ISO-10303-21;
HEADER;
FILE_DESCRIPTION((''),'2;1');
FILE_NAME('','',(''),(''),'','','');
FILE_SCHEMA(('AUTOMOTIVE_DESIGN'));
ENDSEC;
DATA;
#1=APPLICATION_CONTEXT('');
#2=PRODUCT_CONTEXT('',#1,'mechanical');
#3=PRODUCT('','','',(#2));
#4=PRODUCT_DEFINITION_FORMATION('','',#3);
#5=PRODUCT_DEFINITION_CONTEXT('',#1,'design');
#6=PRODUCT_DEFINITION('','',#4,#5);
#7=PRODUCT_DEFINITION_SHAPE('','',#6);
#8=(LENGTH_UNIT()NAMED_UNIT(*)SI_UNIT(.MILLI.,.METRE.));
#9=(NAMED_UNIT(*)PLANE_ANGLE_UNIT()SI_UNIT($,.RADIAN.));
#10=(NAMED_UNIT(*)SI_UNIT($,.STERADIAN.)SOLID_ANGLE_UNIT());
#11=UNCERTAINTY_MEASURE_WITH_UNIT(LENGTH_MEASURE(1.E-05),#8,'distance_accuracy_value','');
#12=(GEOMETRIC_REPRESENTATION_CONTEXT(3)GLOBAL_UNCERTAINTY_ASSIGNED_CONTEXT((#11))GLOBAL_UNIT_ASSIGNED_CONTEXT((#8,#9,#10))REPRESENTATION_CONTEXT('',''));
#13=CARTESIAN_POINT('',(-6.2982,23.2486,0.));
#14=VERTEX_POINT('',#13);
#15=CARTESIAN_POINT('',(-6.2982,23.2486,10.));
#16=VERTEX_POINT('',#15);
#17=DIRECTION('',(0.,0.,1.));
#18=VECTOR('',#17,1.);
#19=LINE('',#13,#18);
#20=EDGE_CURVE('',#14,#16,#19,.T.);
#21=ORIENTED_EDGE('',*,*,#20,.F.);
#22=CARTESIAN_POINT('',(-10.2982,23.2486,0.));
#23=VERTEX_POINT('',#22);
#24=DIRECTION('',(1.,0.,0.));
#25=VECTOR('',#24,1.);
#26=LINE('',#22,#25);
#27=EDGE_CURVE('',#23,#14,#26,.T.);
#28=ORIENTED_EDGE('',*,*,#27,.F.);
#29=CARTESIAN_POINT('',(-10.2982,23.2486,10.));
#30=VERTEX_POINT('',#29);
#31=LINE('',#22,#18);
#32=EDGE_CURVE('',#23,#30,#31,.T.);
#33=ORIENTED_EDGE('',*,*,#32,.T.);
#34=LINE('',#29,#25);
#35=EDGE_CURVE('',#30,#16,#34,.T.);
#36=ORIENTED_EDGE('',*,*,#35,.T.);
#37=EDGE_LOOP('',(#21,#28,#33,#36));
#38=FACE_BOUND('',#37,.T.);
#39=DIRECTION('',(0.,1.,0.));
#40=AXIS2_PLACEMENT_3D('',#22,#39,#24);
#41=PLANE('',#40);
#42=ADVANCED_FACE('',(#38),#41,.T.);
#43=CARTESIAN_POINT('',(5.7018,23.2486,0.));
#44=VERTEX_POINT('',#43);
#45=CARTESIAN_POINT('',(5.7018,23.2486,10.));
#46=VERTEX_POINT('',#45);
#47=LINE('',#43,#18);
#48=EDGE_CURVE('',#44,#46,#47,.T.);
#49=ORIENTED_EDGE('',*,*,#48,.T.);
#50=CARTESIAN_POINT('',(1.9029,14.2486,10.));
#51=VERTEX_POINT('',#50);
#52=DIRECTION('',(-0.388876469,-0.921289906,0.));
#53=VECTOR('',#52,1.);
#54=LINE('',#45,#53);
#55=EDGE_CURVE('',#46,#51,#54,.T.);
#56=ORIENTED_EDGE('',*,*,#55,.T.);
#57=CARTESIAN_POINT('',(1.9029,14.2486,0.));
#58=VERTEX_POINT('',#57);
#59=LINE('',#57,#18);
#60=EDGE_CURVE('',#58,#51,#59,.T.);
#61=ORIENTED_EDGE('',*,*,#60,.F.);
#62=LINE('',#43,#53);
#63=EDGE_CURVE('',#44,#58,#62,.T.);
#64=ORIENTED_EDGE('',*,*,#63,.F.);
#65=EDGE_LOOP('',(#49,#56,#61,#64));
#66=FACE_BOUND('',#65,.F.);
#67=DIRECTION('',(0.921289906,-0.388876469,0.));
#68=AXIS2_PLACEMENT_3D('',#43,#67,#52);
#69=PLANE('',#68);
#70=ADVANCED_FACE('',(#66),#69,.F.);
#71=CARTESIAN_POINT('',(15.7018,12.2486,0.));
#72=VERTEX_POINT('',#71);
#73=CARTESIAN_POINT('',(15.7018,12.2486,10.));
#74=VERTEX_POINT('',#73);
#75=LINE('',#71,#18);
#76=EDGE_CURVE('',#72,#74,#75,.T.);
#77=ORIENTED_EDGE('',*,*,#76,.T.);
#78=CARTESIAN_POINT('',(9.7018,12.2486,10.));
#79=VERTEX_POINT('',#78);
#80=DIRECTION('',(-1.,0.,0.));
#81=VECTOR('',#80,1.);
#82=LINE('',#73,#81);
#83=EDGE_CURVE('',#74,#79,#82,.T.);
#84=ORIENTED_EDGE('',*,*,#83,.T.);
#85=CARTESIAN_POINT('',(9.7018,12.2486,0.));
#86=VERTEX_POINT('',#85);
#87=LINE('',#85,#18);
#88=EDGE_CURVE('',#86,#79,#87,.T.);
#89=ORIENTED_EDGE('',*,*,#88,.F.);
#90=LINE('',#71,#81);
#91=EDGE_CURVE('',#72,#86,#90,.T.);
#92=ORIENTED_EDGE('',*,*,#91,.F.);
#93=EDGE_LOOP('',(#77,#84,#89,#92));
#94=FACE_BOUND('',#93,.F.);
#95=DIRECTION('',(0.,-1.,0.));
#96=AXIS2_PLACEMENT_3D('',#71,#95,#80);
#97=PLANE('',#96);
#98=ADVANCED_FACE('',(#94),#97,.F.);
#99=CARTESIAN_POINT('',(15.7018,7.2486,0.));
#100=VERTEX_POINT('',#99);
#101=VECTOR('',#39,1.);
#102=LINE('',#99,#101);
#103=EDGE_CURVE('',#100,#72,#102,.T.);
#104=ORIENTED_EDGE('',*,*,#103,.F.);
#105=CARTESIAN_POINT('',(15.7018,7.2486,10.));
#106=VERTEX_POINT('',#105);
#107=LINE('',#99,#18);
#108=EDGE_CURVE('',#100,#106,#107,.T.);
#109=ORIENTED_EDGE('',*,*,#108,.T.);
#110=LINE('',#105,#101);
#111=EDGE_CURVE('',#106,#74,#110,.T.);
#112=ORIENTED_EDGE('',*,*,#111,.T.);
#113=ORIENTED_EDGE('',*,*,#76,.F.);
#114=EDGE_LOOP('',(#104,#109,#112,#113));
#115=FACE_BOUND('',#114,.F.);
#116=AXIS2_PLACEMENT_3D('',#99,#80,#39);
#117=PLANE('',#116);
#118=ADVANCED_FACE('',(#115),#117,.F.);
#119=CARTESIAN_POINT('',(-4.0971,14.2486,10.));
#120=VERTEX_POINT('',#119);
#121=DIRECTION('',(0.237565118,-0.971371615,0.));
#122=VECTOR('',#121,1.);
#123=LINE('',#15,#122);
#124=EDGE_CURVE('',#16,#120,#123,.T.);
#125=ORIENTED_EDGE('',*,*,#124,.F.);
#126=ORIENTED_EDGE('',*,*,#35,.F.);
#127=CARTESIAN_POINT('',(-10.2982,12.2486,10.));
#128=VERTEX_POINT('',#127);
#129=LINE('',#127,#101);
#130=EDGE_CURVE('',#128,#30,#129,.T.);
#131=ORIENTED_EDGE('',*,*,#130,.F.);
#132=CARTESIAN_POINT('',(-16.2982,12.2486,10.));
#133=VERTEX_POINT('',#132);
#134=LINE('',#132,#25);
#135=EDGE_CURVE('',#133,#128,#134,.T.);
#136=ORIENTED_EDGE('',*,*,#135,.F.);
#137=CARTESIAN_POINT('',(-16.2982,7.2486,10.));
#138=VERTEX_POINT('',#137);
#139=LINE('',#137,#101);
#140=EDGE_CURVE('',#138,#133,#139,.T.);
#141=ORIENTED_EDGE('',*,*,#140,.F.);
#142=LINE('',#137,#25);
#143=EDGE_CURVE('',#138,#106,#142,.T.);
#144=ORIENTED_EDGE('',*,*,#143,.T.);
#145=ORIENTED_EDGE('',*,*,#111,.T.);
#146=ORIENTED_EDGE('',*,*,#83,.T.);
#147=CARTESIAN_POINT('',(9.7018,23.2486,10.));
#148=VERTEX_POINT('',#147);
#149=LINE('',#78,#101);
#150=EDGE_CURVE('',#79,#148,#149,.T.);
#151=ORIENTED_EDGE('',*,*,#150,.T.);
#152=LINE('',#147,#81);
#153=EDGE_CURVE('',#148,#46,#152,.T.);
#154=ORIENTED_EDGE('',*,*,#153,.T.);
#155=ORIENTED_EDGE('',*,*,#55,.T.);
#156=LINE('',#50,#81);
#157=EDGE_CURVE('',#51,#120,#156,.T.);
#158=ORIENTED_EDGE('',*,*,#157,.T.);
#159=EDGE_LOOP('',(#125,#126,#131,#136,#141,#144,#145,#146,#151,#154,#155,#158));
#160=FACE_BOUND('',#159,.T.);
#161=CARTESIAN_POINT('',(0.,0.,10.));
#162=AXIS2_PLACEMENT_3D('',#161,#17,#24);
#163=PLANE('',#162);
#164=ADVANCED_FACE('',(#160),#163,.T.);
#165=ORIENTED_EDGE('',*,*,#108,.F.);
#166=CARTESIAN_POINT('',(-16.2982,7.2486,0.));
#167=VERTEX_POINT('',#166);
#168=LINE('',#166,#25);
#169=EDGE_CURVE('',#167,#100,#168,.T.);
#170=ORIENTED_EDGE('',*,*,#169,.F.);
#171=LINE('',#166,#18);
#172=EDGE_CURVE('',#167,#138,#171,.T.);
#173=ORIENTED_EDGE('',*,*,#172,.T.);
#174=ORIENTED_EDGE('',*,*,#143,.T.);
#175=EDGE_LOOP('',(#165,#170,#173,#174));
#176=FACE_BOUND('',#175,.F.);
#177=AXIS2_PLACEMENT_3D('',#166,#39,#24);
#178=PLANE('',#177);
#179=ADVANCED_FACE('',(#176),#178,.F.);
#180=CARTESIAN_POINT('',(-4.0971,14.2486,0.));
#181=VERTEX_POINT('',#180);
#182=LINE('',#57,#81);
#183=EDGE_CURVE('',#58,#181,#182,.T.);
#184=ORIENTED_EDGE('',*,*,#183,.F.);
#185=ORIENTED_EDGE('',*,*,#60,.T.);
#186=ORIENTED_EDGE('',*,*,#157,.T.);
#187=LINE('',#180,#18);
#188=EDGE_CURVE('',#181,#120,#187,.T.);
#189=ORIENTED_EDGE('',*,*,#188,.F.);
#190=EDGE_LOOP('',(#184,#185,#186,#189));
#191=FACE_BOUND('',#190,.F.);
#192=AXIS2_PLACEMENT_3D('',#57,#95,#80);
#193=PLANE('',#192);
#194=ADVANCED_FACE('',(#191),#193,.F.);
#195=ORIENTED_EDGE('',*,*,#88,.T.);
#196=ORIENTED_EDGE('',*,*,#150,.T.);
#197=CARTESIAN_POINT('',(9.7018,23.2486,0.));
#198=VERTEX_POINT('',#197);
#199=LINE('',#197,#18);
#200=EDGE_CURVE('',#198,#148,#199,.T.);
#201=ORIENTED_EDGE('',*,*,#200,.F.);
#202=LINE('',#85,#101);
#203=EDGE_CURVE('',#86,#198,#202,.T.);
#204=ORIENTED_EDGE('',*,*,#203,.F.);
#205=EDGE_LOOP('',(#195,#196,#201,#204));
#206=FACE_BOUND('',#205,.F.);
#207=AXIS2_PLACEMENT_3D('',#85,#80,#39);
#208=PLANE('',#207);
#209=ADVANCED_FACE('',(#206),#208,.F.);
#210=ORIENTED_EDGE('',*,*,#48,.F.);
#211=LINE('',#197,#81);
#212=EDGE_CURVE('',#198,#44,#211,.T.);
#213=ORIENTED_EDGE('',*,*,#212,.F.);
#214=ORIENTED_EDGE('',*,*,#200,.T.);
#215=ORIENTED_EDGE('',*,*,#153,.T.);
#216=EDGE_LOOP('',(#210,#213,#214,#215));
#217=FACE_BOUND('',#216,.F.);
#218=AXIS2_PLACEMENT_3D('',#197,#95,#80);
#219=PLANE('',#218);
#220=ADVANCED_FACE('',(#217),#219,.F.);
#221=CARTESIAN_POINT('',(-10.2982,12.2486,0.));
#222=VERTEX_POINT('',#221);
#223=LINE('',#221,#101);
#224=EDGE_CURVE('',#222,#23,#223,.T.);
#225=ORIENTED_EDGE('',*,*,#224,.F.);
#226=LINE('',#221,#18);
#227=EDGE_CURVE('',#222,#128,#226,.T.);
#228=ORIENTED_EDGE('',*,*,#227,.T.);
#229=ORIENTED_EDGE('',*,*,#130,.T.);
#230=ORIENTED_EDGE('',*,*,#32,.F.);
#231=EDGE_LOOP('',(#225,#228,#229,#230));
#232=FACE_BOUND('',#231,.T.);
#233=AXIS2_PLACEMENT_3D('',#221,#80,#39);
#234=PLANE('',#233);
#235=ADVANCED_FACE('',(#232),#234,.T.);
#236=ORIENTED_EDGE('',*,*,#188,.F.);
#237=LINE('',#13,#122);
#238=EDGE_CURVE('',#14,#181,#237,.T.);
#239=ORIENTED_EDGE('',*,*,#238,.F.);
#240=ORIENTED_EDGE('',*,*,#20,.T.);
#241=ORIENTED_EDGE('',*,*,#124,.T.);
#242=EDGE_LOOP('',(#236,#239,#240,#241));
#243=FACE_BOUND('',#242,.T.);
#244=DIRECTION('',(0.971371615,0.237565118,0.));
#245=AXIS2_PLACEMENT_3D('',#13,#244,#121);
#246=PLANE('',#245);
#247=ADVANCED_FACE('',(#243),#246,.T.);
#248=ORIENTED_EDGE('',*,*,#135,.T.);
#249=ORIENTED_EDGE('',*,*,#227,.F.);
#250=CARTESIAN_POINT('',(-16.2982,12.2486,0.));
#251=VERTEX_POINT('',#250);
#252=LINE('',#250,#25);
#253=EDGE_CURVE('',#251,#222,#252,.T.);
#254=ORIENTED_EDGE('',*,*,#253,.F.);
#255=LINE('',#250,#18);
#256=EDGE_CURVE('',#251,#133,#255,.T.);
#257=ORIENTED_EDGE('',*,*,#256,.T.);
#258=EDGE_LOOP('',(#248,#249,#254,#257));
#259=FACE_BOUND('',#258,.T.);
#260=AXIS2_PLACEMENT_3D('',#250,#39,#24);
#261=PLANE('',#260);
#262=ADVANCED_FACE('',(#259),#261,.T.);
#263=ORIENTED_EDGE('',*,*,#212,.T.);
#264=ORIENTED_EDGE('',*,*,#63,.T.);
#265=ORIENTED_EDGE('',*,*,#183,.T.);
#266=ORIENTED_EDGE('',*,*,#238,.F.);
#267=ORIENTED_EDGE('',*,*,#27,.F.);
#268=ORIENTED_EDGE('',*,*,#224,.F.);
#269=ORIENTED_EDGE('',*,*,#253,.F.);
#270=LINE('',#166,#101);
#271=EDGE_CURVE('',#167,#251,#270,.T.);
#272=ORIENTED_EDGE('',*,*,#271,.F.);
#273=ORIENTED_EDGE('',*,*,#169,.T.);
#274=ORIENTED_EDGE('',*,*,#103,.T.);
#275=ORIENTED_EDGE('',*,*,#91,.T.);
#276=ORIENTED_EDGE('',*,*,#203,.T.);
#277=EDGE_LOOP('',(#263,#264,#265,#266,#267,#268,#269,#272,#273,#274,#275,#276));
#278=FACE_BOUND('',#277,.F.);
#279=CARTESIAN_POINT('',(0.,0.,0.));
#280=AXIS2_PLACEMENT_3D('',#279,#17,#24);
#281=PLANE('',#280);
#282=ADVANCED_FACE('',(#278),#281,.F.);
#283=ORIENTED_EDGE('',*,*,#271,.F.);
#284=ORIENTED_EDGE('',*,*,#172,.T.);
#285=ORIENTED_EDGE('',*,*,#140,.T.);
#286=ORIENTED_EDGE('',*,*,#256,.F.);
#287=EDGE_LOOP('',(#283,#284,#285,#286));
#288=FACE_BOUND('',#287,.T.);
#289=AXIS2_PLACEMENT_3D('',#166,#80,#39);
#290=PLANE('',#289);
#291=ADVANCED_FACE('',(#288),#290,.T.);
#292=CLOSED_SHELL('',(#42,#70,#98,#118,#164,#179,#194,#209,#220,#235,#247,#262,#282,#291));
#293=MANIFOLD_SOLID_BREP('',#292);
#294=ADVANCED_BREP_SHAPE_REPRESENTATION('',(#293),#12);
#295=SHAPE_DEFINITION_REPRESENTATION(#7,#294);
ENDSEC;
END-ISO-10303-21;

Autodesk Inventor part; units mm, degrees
ref_plane "YZ Plane" through (0, 0, 0) normal (1, 0, 0) x (0, 1, 0)
ref_plane "XZ Plane" through (0, 0, 0) normal (0, 1, 0) x (-1, 0, 0)
ref_plane "XY Plane" through (0, 0, 0) normal (0, 0, 1) x (1, 0, 0)
sketch "草图1" plane through (0, 0, 0) normal (0, 0, 1) x (1, 0, 0)
  line L0 (15.7018, 7.2486) -> (15.7018, 12.2486)
  line L1 (15.7018, 12.2486) -> (9.7018, 12.2486)
  line L2 (9.7018, 12.2486) -> (9.7018, 23.2486)
  line L3 (9.7018, 23.2486) -> (5.7018, 23.2486)
  line L4 (5.7018, 23.2486) -> (1.9029, 14.2486)
  line L5 (-16.2982, 7.2486) -> (-16.2982, 12.2486)
  line L6 (-16.2982, 12.2486) -> (-10.2982, 12.2486)
  line L7 (-10.2982, 12.2486) -> (-10.2982, 23.2486)
  line L8 (-10.2982, 23.2486) -> (-6.2982, 23.2486)
  line L9 (-6.2982, 23.2486) -> (-4.0971, 14.2486)
  line L10 (-16.2982, 7.2486) -> (15.7018, 7.2486)
  line L11 (1.9029, 14.2486) -> (-4.0971, 14.2486)
  dimension "d5" = 32
  dimension "d6" = 5
  dimension "d7" = 5
  dimension "d8" = 6
  dimension "d9" = 20
  dimension "d10" = 9
  dimension "d11" = 12
  dimension "d12" = 6
  dimension "d13" = 16
  dimension "d14" = 4
  dimension "d28" = 67.115
sketch "草图2" plane through (0, 0, 0) normal (0, 0, 1) x (1, 0, 0)
  point P0 (0, 0)
extrude "拉伸1" add sketch "草图1" along normal blind 10
